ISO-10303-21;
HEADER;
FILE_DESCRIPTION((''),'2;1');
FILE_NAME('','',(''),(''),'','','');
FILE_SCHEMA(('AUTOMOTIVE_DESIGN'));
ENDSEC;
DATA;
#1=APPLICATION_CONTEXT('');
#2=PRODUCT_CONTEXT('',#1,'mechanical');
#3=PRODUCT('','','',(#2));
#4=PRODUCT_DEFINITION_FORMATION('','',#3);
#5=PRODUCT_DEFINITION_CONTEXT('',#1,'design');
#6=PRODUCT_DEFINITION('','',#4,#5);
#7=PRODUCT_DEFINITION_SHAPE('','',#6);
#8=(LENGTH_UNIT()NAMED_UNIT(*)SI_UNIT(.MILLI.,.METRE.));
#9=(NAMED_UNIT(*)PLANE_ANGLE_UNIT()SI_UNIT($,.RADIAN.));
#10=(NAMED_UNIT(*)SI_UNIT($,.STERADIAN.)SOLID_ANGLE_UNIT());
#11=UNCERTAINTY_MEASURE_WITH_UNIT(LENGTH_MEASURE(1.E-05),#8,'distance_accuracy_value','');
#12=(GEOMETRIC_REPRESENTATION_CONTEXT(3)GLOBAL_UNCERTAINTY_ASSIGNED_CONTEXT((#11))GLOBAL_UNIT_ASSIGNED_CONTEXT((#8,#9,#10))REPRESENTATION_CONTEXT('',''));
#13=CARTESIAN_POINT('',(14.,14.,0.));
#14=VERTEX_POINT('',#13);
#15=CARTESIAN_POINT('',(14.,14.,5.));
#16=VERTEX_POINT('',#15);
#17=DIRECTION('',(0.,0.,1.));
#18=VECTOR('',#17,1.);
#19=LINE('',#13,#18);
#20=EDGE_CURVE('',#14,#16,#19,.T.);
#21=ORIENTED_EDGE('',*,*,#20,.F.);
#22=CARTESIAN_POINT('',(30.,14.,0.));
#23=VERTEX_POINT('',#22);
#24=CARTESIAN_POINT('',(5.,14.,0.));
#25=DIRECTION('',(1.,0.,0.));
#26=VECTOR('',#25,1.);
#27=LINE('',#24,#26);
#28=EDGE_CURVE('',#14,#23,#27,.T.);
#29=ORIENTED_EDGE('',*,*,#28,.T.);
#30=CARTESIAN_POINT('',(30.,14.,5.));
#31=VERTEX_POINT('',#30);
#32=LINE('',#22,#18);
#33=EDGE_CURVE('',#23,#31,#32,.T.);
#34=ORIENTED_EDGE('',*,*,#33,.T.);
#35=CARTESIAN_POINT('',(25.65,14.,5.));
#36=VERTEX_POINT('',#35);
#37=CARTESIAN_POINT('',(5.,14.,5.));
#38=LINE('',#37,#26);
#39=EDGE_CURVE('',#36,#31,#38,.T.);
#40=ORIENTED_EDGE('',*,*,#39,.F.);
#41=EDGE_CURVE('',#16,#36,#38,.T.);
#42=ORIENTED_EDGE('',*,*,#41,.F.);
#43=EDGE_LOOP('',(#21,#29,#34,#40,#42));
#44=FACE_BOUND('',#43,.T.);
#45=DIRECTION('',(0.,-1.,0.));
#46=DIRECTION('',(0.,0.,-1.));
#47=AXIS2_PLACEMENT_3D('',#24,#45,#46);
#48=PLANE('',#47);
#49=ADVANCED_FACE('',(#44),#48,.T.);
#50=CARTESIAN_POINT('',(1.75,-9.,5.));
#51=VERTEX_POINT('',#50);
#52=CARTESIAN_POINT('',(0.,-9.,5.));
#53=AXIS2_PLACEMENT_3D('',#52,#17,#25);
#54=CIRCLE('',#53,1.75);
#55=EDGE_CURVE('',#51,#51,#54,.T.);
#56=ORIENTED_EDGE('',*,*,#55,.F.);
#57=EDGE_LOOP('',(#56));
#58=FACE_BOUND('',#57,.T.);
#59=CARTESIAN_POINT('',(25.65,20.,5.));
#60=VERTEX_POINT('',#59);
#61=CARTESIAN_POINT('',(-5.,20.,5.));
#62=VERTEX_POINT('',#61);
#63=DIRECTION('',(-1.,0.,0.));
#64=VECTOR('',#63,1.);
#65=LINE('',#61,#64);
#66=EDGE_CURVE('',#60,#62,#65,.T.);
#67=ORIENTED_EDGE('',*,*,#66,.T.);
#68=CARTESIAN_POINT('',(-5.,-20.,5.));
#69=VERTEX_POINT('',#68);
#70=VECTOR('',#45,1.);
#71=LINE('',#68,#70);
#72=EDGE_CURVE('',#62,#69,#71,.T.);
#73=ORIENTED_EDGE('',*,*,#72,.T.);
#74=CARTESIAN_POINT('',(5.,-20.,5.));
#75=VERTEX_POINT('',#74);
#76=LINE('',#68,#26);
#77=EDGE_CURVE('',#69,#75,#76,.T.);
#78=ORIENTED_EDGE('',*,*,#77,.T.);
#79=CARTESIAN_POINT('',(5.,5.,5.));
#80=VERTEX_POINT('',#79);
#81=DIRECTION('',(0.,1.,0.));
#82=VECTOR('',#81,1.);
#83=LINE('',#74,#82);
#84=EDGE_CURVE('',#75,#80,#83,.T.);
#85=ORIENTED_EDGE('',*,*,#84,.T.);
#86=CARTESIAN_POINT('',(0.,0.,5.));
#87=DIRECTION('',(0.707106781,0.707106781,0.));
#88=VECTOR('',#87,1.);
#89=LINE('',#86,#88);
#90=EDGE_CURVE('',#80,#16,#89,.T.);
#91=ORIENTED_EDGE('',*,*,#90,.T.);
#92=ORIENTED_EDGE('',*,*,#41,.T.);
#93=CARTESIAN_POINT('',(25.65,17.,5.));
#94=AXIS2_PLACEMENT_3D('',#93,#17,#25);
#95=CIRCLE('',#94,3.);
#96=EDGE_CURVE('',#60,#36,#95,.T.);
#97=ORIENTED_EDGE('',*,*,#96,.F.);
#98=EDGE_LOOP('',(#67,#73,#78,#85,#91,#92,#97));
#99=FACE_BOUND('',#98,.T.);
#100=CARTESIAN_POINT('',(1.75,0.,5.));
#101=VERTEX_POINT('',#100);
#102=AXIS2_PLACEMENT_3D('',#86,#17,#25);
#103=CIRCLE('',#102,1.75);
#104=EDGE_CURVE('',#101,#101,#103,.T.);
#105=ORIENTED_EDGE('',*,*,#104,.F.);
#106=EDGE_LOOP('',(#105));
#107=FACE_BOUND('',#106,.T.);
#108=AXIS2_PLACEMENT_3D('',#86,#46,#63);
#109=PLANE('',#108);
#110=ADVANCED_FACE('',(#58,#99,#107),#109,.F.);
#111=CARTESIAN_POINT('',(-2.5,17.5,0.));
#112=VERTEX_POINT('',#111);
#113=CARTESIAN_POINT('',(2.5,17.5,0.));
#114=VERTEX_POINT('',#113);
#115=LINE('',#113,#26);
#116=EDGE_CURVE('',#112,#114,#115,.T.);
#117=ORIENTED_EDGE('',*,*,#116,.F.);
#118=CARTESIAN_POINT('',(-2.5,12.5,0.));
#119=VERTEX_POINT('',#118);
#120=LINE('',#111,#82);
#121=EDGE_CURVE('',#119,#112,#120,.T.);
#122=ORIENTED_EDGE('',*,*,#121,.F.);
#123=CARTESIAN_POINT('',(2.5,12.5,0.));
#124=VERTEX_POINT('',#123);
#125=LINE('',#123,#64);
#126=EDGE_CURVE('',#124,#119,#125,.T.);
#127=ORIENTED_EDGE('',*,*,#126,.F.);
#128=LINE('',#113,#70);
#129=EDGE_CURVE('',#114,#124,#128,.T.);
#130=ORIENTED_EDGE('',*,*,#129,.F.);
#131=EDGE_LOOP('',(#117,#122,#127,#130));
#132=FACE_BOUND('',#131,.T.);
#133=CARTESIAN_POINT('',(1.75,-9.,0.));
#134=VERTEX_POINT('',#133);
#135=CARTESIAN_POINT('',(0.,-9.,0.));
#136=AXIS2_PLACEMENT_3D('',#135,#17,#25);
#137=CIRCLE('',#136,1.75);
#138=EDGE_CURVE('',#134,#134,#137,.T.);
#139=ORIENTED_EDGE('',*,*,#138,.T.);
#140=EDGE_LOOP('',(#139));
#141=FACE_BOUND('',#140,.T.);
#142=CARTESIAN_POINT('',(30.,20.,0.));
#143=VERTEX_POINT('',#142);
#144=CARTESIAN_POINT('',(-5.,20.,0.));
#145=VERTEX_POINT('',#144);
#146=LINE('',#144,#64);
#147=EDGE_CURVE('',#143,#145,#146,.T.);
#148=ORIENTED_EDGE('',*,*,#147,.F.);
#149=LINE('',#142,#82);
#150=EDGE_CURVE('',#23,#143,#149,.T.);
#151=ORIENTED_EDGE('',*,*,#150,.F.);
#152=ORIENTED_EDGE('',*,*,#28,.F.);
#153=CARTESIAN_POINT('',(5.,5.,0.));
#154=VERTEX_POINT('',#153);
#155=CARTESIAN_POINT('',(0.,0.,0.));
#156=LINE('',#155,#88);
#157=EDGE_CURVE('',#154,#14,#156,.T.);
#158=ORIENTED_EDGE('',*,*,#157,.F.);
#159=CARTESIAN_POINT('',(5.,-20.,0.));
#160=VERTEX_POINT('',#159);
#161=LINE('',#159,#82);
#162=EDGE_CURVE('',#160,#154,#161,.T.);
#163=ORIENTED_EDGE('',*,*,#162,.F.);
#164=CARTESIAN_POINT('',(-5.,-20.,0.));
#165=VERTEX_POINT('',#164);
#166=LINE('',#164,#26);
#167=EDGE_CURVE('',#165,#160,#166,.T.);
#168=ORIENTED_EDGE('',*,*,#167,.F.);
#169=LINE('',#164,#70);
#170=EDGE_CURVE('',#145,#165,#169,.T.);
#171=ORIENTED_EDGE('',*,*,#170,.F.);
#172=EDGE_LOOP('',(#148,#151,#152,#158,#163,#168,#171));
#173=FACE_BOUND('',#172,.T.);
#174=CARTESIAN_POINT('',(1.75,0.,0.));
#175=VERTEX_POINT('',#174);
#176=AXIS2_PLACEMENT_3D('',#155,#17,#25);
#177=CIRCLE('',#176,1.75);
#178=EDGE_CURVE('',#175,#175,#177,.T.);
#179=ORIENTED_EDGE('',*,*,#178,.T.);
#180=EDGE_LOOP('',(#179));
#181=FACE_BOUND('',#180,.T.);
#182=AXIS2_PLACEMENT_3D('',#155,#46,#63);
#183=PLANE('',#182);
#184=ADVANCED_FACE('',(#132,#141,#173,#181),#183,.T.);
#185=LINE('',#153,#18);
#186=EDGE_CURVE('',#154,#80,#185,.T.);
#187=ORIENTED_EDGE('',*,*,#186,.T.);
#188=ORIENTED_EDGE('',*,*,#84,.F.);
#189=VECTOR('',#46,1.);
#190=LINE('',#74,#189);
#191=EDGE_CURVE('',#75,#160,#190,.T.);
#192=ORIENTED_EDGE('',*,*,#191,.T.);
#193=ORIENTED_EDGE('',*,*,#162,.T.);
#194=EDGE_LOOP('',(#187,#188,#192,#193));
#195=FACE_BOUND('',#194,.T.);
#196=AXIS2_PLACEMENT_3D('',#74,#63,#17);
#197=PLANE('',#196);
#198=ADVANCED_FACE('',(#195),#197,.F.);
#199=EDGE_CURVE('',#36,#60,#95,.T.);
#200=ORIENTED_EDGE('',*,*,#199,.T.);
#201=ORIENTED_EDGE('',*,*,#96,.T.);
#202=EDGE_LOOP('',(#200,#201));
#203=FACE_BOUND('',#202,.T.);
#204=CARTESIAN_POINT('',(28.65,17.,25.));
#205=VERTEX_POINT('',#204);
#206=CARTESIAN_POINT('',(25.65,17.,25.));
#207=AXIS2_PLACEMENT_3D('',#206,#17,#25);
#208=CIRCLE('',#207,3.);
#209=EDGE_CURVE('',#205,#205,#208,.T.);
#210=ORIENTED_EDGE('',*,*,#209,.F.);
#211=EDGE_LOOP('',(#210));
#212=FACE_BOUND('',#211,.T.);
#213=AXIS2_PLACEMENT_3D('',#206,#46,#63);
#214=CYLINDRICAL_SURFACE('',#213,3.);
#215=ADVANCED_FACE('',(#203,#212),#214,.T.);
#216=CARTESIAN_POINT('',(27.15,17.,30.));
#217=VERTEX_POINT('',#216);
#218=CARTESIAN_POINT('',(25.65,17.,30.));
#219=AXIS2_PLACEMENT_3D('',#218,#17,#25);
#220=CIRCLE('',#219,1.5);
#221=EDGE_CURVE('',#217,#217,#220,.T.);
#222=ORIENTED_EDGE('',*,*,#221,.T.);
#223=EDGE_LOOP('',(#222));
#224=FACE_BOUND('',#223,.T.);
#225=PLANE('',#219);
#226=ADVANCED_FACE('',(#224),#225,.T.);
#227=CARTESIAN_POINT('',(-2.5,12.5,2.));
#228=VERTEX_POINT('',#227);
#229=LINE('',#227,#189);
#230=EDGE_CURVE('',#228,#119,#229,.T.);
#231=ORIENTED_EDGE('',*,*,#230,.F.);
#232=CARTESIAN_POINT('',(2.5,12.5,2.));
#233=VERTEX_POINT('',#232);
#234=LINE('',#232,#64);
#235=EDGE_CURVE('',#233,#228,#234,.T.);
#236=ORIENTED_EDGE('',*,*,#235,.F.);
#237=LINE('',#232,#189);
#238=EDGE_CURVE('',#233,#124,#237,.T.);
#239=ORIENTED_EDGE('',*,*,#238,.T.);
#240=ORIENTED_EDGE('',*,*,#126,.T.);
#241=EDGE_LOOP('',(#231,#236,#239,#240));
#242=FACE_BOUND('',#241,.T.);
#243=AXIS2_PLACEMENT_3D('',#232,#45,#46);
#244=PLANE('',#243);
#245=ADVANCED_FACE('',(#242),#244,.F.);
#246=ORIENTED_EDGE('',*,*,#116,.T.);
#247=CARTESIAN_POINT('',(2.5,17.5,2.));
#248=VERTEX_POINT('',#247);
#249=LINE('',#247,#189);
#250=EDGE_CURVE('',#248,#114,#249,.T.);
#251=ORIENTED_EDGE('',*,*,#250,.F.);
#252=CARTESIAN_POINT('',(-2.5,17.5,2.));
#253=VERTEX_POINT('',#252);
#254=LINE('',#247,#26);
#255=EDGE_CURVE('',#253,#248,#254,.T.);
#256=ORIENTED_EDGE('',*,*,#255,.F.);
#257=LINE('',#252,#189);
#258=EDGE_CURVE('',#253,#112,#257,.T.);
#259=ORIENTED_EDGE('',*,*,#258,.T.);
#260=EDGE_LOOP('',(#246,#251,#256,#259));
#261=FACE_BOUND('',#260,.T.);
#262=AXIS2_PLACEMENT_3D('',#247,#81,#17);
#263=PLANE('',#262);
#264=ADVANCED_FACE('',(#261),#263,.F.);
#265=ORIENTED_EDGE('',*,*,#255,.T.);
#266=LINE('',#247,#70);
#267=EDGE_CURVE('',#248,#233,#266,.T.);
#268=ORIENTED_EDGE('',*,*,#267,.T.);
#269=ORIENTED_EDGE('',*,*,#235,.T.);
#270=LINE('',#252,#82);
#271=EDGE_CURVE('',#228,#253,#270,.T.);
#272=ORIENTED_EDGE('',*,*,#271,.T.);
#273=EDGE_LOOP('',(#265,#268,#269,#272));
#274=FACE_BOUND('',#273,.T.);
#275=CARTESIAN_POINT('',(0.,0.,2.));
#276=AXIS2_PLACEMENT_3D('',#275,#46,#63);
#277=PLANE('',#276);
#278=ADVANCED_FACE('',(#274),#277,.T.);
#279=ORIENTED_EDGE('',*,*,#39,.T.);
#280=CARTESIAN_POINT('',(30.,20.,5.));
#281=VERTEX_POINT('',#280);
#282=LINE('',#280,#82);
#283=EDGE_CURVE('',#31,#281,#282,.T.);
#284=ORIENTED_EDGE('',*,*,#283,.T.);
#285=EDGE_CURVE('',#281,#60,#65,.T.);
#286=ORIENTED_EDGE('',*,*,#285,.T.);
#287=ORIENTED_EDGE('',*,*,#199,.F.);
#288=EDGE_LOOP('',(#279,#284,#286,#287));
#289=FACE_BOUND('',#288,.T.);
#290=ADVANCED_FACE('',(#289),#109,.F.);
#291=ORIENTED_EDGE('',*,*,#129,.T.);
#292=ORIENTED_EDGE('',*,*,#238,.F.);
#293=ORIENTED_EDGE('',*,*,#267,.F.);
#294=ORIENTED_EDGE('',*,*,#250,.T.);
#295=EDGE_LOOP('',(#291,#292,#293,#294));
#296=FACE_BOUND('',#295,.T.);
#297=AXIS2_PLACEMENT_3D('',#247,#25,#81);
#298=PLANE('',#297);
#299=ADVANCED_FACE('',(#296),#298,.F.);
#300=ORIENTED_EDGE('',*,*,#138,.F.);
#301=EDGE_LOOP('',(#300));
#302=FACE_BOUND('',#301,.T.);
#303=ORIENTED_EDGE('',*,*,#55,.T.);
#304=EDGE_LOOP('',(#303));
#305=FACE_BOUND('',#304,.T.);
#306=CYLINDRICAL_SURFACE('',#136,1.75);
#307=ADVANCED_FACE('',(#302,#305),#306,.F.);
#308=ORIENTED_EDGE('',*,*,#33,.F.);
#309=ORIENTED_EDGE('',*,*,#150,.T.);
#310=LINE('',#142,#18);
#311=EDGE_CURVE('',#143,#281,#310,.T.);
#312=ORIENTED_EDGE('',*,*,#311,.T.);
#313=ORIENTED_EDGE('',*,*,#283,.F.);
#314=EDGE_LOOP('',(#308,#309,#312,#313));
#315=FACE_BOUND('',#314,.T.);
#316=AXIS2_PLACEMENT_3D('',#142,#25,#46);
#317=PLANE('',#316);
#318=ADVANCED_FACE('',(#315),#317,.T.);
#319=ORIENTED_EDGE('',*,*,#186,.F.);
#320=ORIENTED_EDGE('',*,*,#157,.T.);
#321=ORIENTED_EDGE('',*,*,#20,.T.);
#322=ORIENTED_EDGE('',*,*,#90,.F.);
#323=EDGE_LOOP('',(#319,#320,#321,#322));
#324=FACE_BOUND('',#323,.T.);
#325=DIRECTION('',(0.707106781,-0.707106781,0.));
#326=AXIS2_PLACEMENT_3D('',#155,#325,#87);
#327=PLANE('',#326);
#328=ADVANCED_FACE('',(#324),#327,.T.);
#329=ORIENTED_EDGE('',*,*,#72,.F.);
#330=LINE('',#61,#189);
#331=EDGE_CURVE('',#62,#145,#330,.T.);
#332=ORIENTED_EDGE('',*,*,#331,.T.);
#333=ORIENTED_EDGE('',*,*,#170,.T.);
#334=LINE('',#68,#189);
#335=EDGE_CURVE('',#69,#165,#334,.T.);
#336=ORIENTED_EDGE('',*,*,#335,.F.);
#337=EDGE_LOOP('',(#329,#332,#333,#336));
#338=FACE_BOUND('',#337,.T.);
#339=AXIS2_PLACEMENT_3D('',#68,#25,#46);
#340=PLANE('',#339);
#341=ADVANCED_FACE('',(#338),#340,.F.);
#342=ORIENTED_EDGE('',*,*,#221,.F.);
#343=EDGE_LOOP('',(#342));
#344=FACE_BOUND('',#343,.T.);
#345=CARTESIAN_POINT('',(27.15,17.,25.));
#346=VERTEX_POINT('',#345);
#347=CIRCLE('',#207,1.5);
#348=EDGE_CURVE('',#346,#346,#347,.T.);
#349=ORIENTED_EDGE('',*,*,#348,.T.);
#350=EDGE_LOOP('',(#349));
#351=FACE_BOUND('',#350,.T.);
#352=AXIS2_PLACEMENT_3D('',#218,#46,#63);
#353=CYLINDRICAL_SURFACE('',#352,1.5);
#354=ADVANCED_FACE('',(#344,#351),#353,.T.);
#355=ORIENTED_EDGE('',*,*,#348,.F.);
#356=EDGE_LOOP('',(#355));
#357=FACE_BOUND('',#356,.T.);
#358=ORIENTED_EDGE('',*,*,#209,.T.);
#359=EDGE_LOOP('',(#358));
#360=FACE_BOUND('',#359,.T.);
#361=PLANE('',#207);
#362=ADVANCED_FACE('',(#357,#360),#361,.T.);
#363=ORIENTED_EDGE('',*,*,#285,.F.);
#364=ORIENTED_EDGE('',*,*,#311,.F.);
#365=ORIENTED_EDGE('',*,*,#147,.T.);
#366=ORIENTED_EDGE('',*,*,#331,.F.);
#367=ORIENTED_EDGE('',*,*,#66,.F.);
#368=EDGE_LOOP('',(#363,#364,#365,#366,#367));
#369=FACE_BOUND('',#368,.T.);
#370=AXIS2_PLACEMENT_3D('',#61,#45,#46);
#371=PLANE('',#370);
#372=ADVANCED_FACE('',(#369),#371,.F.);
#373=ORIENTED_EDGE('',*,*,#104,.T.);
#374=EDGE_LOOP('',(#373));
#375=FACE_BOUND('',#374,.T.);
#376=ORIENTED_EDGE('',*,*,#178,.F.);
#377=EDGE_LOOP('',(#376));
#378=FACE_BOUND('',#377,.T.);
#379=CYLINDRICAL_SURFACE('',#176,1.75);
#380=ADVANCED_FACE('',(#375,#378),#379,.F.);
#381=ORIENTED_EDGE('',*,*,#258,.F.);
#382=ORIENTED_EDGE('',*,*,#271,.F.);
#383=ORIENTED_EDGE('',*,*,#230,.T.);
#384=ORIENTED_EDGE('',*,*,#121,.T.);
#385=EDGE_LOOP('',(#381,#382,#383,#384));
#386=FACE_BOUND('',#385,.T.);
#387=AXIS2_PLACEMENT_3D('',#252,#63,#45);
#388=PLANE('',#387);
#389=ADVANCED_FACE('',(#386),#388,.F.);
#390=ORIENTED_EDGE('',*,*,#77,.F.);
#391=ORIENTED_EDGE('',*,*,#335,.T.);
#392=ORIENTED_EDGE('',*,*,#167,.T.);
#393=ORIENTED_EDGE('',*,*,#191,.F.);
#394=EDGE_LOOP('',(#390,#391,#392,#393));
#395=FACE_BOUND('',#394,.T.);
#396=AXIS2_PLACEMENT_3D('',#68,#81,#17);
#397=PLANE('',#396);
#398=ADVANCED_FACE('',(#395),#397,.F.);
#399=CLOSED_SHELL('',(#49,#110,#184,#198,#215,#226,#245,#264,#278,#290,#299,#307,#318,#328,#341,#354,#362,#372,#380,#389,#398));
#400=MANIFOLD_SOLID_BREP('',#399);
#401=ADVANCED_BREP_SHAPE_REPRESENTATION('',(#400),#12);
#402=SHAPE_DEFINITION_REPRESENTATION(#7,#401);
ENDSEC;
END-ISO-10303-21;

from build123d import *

# Parameters (mm, degrees)
SKIZZE2_W                       = 10
SKIZZE2_H                       = 40
AUFSATZ_LINEAR_AUSTRAGEN1_DEPTH = 5
SKIZZE4_R                       = 1.75
SCHNITT_LINEAR_AUSTRAGEN1_DEPTH = 5
SKIZZE5_W                       = 5
SKIZZE5_H                       = 5
SCHNITT_LINEAR_AUSTRAGEN2_DEPTH = 2
SKIZZE6_W                       = 25
SKIZZE6_H                       = 6
AUFSATZ_LINEAR_AUSTRAGEN3_DEPTH = 5
SKIZZE7_R                       = 3
AUFSATZ_LINEAR_AUSTRAGEN4_DEPTH = 20
SKIZZE8_R                       = 1.5
AUFSATZ_LINEAR_AUSTRAGEN5_DEPTH = 5
AUFSATZ_LINEAR_AUSTRAGEN6_DEPTH = 5


with BuildPart() as part:
    # Skizze2 → Aufsatz-Linear austragen1 (new body)
    with BuildSketch(Plane.XY):
        Rectangle(SKIZZE2_W, SKIZZE2_H)
    extrude(amount=AUFSATZ_LINEAR_AUSTRAGEN1_DEPTH)

    # Skizze4 → Schnitt-Linear austragen1 (cut)
    with BuildSketch(Plane.XY.offset(5)):
        Circle(SKIZZE4_R)
        with Locations((0, -9)):
            Circle(SKIZZE4_R)
    extrude(amount=-SCHNITT_LINEAR_AUSTRAGEN1_DEPTH, mode=Mode.SUBTRACT)

    # Skizze5 → Schnitt-Linear austragen2 (cut)
    with BuildSketch(Plane(origin=(0, 0, 0), x_dir=(-1, 0, 0), z_dir=(0, 0, -1))):
        with Locations((0, 15)):
            Rectangle(SKIZZE5_W, SKIZZE5_H)
    extrude(amount=-SCHNITT_LINEAR_AUSTRAGEN2_DEPTH, mode=Mode.SUBTRACT)

    # Skizze6 → Aufsatz-Linear austragen3 (add)
    with BuildSketch(Plane.XY.offset(5)):
        with Locations((17.5, 17)):
            Rectangle(SKIZZE6_W, SKIZZE6_H)
    extrude(amount=-AUFSATZ_LINEAR_AUSTRAGEN3_DEPTH)

    # Skizze7 → Aufsatz-Linear austragen4 (add)
    with BuildSketch(Plane.XY.offset(5)):
        with Locations(Location((25.65, 17, 0), (0, 0, 270))):
            Circle(SKIZZE7_R)
    extrude(amount=AUFSATZ_LINEAR_AUSTRAGEN4_DEPTH)

    # Skizze8 → Aufsatz-Linear austragen5 (add)
    with BuildSketch(Plane.XY.offset(25)):
        with Locations((25.65, 17)):
            Circle(SKIZZE8_R)
    extrude(amount=AUFSATZ_LINEAR_AUSTRAGEN5_DEPTH)

    # Skizze9 → Aufsatz-Linear austragen6 (add)
    with BuildSketch(Plane.XY.offset(5)):
        Polygon((5, 14), (5, 10.656854249), (8.343145751, 14), align=None)
        Polygon((5, 10.656854249), (5, 5), (14, 14), (8.343145751, 14), align=None)
    extrude(amount=-AUFSATZ_LINEAR_AUSTRAGEN6_DEPTH)


solid = part.part
